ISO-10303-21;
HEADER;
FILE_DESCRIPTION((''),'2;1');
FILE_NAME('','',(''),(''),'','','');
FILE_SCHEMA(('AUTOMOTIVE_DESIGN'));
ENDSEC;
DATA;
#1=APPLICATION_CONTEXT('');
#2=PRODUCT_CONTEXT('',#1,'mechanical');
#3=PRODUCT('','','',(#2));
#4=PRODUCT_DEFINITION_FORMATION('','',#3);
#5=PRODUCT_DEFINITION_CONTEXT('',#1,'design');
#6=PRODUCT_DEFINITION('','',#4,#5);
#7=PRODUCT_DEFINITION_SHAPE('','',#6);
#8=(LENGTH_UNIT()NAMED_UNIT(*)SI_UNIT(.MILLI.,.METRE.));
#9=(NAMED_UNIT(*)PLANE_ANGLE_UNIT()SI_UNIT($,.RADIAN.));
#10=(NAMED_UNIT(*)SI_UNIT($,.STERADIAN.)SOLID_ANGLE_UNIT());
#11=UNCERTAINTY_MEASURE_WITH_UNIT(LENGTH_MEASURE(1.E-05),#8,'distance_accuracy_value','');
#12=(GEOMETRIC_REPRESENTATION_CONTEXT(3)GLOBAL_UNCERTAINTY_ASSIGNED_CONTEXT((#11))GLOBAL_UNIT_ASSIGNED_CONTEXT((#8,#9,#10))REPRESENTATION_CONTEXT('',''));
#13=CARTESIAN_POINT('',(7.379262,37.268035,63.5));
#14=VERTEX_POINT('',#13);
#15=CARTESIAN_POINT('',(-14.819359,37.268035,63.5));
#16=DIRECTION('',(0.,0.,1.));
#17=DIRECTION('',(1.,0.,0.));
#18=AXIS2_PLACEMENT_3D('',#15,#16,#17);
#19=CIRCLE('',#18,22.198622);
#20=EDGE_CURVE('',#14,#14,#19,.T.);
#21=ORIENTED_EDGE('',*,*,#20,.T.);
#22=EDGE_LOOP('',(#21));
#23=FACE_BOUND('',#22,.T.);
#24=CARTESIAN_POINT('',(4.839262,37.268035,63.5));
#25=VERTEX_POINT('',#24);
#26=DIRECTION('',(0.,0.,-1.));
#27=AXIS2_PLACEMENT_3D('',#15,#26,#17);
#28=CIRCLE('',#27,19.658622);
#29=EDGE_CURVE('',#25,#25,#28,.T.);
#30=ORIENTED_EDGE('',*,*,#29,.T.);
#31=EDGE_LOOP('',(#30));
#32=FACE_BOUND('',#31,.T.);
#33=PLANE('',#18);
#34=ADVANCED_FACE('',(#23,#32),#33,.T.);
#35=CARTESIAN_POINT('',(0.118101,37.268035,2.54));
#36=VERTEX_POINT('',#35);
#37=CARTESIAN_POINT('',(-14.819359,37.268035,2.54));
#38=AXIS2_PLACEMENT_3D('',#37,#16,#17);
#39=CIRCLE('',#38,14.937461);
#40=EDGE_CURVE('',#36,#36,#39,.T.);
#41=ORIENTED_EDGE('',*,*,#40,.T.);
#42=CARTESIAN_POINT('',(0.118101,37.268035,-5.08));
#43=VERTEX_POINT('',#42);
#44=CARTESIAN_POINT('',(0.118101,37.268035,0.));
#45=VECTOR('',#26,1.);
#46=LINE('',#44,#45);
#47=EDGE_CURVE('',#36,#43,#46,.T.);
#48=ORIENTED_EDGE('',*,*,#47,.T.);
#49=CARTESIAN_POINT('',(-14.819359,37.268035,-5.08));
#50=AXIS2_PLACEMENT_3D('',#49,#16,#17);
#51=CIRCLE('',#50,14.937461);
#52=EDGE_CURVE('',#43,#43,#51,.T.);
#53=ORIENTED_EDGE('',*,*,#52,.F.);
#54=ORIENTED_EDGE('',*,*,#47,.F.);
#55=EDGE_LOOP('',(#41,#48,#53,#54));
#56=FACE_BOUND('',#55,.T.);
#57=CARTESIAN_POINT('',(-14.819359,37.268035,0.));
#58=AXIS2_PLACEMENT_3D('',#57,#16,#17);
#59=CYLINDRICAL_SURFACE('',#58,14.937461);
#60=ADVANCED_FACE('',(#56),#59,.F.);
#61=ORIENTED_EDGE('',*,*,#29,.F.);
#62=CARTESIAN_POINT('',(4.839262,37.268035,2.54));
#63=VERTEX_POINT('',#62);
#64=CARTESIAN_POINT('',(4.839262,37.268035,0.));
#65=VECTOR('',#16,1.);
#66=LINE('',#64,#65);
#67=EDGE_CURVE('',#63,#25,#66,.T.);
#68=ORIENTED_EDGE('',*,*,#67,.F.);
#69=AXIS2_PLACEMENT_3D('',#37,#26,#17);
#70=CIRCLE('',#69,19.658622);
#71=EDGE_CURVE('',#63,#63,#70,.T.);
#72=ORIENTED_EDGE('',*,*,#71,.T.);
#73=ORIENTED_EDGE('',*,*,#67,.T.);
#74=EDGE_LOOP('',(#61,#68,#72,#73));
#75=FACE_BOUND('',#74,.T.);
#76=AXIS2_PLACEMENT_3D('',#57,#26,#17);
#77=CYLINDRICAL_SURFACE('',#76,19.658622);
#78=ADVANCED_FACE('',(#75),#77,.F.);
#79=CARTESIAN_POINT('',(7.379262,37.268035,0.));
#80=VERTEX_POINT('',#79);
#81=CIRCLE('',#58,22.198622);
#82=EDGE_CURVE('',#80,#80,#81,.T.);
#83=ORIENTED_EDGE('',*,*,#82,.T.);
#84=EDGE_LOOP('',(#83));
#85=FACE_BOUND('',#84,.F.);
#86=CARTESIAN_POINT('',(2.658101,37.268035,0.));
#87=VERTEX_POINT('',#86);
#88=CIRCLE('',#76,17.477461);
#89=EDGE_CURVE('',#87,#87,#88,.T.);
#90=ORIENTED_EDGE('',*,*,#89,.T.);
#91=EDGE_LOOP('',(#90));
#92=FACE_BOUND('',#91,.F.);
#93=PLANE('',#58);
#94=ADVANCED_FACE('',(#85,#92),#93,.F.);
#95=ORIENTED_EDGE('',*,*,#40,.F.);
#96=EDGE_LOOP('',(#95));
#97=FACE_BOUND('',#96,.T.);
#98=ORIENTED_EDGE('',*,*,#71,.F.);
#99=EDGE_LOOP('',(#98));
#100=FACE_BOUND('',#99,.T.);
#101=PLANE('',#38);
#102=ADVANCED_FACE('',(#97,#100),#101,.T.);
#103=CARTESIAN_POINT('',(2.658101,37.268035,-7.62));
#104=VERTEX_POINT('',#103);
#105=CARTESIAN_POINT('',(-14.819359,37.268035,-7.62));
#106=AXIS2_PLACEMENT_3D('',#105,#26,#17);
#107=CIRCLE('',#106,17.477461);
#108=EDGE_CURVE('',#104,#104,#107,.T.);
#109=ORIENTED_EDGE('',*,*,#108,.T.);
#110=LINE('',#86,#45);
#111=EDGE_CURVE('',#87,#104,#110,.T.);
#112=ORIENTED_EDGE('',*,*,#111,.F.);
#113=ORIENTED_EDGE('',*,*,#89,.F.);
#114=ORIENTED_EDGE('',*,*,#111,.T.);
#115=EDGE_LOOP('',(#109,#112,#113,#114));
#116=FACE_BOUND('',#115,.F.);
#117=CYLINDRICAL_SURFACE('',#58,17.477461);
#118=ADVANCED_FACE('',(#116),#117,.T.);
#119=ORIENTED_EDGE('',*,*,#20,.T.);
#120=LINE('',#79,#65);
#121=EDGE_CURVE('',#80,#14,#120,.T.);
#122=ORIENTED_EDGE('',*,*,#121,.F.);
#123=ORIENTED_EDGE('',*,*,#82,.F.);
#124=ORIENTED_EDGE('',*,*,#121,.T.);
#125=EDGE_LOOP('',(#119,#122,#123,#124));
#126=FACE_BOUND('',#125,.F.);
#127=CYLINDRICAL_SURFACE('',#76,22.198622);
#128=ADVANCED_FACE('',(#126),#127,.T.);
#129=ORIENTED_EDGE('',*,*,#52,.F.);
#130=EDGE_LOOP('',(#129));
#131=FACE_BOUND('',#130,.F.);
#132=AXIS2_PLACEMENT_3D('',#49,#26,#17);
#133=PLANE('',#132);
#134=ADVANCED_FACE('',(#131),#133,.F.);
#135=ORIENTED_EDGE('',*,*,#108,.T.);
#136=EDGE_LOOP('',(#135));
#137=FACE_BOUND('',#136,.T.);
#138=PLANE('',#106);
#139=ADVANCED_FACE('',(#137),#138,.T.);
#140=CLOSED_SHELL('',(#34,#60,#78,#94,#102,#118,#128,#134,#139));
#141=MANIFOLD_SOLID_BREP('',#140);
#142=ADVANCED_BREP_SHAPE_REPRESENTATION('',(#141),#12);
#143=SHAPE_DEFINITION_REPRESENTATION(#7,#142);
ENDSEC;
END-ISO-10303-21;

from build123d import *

# Parameters (mm, degrees)
F0_R     = 22.198621642
F1_DEPTH = 63.5
F2_R     = 17.4774608617
F3_DEPTH = 7.62
F4_T     = -2.54


with BuildPart() as f1:
    # F0 (on Top) → F1 (new body)
    with BuildSketch(Plane.XY):
        with Locations((-14.8193594068, 37.2680351138)):
            Circle(F0_R)
    extrude(amount=F1_DEPTH)

    # F2 (on face) → F3 (join)
    with BuildSketch(Plane(origin=(0, 0, 0), x_dir=(1, 0, 0), z_dir=(0, 0, -1))):
        with Locations((-14.8193594068, -37.2680351138)):
            Circle(F2_R)
    extrude(amount=F3_DEPTH)

    # F4
    f4_openings = [f1.faces().sort_by_distance(p)[0] for p in [
        (-14.819359, 37.268035, 63.5),
    ]]
    offset(amount=F4_T, openings=f4_openings, kind=Kind.INTERSECTION)


solid = f1.part
